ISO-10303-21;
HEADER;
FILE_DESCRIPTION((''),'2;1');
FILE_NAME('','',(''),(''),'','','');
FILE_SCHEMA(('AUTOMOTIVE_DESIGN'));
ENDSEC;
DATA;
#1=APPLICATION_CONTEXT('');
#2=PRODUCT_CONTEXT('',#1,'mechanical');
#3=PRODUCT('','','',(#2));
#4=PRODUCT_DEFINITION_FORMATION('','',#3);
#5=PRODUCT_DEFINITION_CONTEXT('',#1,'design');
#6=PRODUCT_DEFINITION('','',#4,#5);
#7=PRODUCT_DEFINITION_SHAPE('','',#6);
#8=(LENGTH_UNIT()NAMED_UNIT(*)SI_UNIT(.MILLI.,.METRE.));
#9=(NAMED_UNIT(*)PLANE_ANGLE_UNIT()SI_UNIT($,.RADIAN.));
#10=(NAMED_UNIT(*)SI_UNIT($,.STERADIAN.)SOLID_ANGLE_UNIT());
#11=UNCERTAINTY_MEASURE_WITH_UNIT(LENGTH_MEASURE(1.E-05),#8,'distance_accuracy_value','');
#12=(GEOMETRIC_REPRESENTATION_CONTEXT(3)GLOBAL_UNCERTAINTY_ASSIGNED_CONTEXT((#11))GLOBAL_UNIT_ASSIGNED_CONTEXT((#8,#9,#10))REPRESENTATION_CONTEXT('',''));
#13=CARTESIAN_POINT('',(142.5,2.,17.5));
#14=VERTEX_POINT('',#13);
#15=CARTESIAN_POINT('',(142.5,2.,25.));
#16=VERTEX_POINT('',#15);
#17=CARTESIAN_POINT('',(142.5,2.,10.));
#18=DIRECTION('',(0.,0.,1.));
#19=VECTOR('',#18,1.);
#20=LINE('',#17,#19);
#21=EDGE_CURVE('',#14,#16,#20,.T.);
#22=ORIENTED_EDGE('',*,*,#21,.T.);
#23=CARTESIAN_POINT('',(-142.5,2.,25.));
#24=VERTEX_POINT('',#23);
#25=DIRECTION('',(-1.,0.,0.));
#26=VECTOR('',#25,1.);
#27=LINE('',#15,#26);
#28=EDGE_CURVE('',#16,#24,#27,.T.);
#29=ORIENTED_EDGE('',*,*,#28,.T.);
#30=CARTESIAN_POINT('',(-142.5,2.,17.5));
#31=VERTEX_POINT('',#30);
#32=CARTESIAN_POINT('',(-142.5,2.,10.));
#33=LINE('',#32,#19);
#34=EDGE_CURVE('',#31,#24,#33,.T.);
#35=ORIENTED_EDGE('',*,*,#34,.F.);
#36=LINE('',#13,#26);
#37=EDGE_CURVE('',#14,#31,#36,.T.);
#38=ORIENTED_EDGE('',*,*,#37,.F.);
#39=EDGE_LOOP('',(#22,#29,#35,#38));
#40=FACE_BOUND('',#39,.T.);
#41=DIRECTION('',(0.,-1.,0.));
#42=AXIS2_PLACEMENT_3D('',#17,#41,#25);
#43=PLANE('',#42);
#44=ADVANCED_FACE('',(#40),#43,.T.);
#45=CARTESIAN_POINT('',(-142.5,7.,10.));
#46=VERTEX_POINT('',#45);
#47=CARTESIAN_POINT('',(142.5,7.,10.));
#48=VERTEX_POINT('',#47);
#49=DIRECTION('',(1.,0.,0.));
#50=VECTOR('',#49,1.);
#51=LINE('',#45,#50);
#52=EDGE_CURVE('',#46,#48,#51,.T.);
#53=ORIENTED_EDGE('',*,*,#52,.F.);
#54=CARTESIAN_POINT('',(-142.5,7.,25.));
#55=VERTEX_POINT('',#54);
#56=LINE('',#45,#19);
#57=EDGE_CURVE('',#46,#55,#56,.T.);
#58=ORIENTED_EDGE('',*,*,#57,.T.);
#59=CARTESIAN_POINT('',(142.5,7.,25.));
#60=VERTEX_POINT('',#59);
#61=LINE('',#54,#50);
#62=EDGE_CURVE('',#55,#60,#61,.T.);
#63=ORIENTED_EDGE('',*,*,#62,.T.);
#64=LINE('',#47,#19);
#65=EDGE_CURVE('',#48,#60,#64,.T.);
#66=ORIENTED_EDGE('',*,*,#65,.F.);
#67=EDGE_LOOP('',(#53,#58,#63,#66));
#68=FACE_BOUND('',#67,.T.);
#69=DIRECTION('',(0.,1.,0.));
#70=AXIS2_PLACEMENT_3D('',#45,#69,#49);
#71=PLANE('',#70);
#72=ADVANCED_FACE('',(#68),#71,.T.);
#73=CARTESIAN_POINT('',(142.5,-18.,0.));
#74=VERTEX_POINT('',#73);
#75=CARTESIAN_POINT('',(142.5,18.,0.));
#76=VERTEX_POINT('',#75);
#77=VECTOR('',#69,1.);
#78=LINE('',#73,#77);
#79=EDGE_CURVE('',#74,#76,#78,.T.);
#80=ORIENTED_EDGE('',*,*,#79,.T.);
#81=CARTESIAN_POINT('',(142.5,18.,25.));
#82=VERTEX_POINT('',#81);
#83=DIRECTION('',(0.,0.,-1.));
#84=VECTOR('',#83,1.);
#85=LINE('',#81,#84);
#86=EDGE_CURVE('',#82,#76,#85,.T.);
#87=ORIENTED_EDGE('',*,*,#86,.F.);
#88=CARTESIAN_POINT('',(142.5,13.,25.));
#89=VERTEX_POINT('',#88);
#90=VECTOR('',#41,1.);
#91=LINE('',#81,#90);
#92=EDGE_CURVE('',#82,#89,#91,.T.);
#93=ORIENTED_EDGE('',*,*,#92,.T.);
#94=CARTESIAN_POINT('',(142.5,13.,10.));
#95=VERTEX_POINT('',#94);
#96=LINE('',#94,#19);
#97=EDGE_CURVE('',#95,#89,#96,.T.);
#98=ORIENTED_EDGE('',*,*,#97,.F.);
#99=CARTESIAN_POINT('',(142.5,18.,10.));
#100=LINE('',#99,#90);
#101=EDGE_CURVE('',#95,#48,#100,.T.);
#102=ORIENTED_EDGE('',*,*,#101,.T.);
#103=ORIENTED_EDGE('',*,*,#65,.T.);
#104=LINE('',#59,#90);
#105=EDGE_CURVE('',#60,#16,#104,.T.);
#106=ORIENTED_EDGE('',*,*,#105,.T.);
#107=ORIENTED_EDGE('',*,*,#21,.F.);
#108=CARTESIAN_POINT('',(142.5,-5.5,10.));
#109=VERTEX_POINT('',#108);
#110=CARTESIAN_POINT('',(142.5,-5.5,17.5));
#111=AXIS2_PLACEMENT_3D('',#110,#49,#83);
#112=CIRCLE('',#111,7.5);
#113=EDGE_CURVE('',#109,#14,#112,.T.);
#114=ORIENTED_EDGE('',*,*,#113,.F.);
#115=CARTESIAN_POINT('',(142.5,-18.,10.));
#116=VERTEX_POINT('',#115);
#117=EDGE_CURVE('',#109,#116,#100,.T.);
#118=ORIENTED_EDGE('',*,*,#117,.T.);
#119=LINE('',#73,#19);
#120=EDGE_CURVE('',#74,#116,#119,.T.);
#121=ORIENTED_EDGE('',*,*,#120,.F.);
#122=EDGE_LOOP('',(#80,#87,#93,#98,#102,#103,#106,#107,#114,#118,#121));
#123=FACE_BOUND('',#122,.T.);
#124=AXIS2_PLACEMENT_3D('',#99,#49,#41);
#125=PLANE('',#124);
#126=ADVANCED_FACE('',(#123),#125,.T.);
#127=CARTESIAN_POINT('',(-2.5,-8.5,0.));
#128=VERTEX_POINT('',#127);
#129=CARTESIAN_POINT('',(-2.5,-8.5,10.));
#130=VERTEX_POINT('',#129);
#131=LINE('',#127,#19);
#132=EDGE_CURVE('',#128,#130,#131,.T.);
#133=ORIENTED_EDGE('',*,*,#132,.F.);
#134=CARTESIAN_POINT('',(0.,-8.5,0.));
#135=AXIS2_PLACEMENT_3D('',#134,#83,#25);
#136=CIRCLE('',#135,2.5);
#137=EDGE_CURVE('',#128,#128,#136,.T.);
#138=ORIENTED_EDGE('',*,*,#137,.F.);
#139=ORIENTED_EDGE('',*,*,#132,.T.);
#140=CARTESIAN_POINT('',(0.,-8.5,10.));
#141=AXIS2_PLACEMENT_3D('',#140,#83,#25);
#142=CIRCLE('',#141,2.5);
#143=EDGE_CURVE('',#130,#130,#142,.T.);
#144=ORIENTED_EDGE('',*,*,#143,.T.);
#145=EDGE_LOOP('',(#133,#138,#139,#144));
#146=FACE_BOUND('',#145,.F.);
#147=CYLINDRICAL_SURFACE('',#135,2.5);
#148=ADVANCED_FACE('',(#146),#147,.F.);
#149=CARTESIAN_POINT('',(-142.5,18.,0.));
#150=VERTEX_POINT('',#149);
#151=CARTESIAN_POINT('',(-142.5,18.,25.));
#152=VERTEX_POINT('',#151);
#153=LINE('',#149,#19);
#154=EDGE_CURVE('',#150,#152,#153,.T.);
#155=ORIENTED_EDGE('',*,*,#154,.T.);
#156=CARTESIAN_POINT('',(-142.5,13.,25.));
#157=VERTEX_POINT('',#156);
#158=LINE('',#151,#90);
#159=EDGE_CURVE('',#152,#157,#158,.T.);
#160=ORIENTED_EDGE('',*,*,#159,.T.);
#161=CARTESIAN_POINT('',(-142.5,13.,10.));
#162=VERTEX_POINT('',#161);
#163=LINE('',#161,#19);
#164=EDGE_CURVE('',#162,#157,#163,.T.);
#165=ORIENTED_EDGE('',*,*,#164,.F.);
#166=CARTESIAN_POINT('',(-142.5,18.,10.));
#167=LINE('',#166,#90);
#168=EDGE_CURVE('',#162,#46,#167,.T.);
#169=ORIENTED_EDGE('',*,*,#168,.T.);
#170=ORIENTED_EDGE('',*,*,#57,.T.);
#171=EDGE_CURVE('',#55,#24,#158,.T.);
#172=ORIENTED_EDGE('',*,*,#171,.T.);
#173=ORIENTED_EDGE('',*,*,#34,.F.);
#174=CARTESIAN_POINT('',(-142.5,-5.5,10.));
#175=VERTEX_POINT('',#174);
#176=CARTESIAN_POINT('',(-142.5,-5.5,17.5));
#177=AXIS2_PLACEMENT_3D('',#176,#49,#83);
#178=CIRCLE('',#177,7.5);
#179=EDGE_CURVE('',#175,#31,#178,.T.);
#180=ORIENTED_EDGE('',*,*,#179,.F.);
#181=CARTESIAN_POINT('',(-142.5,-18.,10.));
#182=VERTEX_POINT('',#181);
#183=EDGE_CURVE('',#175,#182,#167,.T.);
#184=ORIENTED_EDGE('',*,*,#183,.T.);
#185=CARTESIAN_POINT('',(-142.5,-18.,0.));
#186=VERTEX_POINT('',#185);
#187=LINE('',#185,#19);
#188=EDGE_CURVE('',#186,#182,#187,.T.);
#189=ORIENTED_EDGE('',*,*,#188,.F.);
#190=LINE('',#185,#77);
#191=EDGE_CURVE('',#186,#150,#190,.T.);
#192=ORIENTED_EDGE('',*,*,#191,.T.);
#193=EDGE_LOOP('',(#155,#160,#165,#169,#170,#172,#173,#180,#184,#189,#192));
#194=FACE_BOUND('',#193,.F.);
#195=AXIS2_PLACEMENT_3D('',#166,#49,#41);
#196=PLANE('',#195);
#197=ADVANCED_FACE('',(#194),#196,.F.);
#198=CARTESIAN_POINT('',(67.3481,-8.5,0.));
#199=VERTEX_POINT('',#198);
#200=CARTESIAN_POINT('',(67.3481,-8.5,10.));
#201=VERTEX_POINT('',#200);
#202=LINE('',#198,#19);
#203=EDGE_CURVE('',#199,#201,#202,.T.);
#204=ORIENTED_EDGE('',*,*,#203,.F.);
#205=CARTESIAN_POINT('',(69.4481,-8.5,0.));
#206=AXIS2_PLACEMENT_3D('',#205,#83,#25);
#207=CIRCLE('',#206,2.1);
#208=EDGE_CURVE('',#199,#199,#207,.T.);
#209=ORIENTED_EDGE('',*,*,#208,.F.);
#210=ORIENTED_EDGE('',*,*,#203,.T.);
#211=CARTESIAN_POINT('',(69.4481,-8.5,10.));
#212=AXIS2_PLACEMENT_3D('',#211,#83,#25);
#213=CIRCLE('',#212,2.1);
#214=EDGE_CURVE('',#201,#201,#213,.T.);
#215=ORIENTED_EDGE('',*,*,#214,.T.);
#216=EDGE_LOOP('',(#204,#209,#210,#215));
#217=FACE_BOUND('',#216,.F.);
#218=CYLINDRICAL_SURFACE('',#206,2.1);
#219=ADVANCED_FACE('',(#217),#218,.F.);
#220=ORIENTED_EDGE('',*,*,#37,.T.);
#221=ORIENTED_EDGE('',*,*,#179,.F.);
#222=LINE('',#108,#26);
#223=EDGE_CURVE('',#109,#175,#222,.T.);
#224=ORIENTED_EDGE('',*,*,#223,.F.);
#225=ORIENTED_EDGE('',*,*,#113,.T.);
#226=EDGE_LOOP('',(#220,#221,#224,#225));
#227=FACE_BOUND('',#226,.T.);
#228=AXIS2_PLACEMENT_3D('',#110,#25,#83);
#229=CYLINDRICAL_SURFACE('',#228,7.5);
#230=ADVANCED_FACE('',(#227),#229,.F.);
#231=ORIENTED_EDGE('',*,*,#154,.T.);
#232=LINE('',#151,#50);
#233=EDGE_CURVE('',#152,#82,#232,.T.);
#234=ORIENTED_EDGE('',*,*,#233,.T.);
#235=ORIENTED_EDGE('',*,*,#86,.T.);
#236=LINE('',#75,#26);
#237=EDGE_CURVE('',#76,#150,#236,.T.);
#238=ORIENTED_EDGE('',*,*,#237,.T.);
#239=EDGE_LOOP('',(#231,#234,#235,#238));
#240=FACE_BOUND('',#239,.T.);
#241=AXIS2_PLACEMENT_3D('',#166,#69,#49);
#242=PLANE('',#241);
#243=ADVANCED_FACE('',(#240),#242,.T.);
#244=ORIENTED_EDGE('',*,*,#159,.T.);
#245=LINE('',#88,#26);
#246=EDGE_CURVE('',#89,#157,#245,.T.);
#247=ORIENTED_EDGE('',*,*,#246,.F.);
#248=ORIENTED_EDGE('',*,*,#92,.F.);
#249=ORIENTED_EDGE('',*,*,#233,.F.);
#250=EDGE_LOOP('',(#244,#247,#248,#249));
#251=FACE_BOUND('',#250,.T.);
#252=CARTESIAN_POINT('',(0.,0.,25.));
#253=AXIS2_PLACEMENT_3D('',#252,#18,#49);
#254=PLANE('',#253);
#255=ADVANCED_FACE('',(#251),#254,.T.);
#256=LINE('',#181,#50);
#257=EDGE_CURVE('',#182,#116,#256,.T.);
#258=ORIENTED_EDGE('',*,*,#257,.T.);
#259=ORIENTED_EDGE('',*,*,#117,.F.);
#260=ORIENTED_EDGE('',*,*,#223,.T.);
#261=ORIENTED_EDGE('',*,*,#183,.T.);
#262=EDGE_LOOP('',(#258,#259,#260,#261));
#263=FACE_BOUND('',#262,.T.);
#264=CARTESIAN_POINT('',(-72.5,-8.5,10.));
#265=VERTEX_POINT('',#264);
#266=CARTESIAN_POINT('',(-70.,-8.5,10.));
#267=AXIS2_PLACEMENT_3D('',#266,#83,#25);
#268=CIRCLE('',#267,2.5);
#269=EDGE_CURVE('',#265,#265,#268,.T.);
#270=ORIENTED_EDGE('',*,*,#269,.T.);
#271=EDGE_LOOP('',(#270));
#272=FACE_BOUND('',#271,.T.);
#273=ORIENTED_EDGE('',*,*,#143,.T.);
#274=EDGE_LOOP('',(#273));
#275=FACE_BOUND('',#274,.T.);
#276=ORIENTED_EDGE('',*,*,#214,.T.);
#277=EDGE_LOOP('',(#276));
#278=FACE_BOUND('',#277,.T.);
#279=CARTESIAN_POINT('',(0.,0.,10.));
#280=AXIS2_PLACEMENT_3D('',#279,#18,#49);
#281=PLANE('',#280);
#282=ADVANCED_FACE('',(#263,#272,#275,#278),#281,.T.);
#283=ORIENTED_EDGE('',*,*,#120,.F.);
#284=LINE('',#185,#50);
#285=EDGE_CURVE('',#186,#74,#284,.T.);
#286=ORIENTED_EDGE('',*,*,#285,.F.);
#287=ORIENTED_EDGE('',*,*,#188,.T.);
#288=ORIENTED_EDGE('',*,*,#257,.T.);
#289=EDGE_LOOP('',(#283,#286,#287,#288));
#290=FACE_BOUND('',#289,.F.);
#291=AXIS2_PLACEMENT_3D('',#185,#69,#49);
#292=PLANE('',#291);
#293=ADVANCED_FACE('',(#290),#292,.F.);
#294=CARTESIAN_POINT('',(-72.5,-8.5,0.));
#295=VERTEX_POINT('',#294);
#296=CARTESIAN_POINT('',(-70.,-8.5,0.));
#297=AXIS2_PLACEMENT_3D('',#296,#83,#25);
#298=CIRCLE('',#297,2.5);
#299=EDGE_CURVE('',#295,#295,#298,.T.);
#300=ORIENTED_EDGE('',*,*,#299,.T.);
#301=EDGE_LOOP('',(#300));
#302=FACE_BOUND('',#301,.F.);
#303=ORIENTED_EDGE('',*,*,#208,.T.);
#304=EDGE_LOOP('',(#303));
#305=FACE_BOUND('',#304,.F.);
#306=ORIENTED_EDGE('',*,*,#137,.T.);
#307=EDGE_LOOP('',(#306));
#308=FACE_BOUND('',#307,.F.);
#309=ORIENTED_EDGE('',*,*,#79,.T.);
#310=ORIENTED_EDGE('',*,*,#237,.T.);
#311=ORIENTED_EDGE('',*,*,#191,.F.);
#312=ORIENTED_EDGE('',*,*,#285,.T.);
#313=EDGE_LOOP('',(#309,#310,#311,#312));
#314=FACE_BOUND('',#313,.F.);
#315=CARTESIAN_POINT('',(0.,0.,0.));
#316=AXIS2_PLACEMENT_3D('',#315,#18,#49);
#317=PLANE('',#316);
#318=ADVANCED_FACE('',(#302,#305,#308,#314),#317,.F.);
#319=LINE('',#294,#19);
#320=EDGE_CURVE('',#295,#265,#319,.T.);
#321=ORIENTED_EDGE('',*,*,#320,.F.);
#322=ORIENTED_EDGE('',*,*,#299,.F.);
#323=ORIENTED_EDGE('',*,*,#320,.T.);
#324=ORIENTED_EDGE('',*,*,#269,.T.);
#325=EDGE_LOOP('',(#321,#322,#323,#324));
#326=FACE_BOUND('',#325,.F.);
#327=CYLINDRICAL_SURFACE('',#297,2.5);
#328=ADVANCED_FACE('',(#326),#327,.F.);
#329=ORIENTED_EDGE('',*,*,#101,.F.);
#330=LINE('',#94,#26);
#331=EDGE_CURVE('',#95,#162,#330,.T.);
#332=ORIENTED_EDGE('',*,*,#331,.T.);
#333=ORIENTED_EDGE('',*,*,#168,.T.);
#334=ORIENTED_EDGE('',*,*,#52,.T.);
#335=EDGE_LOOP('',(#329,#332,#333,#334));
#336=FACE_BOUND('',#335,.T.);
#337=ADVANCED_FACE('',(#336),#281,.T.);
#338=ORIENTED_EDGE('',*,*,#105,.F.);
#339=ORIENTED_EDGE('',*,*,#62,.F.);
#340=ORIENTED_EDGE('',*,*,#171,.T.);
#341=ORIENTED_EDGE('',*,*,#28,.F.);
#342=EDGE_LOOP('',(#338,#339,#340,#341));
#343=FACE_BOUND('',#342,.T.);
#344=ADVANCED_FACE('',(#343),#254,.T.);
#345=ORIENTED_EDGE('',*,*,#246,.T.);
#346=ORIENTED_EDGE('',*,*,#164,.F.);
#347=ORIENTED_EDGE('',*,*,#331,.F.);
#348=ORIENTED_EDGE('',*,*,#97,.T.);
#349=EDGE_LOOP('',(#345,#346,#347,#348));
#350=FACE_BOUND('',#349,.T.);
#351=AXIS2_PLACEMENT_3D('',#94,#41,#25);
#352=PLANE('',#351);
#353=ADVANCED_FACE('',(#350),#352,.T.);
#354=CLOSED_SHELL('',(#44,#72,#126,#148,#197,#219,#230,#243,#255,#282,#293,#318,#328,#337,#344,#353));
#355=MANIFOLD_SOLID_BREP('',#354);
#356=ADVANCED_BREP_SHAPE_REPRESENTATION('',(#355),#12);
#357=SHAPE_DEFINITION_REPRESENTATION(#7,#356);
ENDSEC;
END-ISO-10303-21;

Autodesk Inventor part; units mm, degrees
ref_plane "YZ Plane" through (0, 0, 0) normal (1, 0, 0) x (0, 1, 0)
ref_plane "XZ Plane" through (0, 0, 0) normal (0, 1, 0) x (-1, 0, 0)
ref_plane "XY Plane" through (0, 0, 0) normal (0, 0, 1) x (1, 0, 0)
sketch "Sketch1" plane through (0, 0, 0) normal (0, 0, 1) x (1, 0, 0)
  line L0 (142.5, 18) -> (-142.5, 18)
  line L1 (-142.5, 18) -> (-142.5, -18)
  line L2 (-142.5, -18) -> (142.5, -18)
  line L3 (142.5, -18) -> (142.5, 18)
  line L4 (142.5, 18) -> (-142.5, -18) construction
  line L5 (-142.5, 18) -> (142.5, -18) construction
  line L6 (-142.5, 18) -> (142.5, 18)
  line L7 (142.5, 18) -> (142.5, 8)
  line L8 (142.5, 8) -> (-142.5, 8)
  line L9 (-142.5, 8) -> (-142.5, 18)
  point P0 (0, 0)
  point P1 (142.5, 13)
  dimension "d0" = 285
  dimension "d1" = 36
  dimension "d4" = 5
extrude "Extrusion1" add sketch "Sketch1" along normal blind 10
sketch "Sketch4" plane through (0, 0, 10) normal (0, 0, 1) x (1, 0, 0)
  line L0 (-142.5, 18) -> (-142.5, -18) projected
  line L1 (-142.5, 18) -> (142.5, 18)
  line L2 (142.5, 18) -> (142.5, 13)
  line L3 (142.5, 13) -> (-142.5, 13)
  line L4 (-142.5, 13) -> (-142.5, 18)
  point P0 (0, 0)
  dimension "d5" = 285
  dimension "d6" = 5
extrude "Extrusion2" add sketch "Sketch4" along normal blind 15
sketch "Sketch5" plane through (0, 0, 10) normal (0, 0, 1) x (1, 0, 0)
  line L0 (-142.5, 18) -> (-142.5, -18) projected
  line L1 (-142.5, 7) -> (142.5, 7)
  line L2 (142.5, 7) -> (142.5, 2)
  line L3 (142.5, 2) -> (-142.5, 2)
  line L4 (-142.5, 2) -> (-142.5, 7)
  line L5 (142.5, 13) -> (-142.5, 13) projected
  point P0 (0, 0)
  dimension "d9" = 285
  dimension "d10" = 5
  dimension "d47" = 11
extrude "Extrusion3" add sketch "Sketch5" along normal blind 15
fillet "Fillet1" radius 7.5 1 edges at (0, 2, 10)
sketch "Sketch11" plane through (0, 0, 0) normal (0, 0, -1) x (-1, 0, 0)
  circle A0 centre (-69.4481, -8.5) radius 2.5 projected
  circle A1 centre (-69.4481, -8.5) radius 2.1
  circle A2 centre (0, -8.5) radius 2.5 projected
  circle A3 centre (0, -8.5) radius 2.1
  circle A4 centre (70, -8.5) radius 2.5 projected
  circle A5 centre (70, -8.5) radius 2.1
  point P0 (0, 0)
  dimension "d52" = 4.2
  dimension "d53" = 4.2
  dimension "d54" = 4.2
extrude "Extrusion4" cut sketch "Sketch11" against normal through all contours A1 | A2 | A3 | A4 | A5
equation "\"d53\" = d52"
equation "\"d54\" = d52"
properties part number "cheeseboard mounts v02"
